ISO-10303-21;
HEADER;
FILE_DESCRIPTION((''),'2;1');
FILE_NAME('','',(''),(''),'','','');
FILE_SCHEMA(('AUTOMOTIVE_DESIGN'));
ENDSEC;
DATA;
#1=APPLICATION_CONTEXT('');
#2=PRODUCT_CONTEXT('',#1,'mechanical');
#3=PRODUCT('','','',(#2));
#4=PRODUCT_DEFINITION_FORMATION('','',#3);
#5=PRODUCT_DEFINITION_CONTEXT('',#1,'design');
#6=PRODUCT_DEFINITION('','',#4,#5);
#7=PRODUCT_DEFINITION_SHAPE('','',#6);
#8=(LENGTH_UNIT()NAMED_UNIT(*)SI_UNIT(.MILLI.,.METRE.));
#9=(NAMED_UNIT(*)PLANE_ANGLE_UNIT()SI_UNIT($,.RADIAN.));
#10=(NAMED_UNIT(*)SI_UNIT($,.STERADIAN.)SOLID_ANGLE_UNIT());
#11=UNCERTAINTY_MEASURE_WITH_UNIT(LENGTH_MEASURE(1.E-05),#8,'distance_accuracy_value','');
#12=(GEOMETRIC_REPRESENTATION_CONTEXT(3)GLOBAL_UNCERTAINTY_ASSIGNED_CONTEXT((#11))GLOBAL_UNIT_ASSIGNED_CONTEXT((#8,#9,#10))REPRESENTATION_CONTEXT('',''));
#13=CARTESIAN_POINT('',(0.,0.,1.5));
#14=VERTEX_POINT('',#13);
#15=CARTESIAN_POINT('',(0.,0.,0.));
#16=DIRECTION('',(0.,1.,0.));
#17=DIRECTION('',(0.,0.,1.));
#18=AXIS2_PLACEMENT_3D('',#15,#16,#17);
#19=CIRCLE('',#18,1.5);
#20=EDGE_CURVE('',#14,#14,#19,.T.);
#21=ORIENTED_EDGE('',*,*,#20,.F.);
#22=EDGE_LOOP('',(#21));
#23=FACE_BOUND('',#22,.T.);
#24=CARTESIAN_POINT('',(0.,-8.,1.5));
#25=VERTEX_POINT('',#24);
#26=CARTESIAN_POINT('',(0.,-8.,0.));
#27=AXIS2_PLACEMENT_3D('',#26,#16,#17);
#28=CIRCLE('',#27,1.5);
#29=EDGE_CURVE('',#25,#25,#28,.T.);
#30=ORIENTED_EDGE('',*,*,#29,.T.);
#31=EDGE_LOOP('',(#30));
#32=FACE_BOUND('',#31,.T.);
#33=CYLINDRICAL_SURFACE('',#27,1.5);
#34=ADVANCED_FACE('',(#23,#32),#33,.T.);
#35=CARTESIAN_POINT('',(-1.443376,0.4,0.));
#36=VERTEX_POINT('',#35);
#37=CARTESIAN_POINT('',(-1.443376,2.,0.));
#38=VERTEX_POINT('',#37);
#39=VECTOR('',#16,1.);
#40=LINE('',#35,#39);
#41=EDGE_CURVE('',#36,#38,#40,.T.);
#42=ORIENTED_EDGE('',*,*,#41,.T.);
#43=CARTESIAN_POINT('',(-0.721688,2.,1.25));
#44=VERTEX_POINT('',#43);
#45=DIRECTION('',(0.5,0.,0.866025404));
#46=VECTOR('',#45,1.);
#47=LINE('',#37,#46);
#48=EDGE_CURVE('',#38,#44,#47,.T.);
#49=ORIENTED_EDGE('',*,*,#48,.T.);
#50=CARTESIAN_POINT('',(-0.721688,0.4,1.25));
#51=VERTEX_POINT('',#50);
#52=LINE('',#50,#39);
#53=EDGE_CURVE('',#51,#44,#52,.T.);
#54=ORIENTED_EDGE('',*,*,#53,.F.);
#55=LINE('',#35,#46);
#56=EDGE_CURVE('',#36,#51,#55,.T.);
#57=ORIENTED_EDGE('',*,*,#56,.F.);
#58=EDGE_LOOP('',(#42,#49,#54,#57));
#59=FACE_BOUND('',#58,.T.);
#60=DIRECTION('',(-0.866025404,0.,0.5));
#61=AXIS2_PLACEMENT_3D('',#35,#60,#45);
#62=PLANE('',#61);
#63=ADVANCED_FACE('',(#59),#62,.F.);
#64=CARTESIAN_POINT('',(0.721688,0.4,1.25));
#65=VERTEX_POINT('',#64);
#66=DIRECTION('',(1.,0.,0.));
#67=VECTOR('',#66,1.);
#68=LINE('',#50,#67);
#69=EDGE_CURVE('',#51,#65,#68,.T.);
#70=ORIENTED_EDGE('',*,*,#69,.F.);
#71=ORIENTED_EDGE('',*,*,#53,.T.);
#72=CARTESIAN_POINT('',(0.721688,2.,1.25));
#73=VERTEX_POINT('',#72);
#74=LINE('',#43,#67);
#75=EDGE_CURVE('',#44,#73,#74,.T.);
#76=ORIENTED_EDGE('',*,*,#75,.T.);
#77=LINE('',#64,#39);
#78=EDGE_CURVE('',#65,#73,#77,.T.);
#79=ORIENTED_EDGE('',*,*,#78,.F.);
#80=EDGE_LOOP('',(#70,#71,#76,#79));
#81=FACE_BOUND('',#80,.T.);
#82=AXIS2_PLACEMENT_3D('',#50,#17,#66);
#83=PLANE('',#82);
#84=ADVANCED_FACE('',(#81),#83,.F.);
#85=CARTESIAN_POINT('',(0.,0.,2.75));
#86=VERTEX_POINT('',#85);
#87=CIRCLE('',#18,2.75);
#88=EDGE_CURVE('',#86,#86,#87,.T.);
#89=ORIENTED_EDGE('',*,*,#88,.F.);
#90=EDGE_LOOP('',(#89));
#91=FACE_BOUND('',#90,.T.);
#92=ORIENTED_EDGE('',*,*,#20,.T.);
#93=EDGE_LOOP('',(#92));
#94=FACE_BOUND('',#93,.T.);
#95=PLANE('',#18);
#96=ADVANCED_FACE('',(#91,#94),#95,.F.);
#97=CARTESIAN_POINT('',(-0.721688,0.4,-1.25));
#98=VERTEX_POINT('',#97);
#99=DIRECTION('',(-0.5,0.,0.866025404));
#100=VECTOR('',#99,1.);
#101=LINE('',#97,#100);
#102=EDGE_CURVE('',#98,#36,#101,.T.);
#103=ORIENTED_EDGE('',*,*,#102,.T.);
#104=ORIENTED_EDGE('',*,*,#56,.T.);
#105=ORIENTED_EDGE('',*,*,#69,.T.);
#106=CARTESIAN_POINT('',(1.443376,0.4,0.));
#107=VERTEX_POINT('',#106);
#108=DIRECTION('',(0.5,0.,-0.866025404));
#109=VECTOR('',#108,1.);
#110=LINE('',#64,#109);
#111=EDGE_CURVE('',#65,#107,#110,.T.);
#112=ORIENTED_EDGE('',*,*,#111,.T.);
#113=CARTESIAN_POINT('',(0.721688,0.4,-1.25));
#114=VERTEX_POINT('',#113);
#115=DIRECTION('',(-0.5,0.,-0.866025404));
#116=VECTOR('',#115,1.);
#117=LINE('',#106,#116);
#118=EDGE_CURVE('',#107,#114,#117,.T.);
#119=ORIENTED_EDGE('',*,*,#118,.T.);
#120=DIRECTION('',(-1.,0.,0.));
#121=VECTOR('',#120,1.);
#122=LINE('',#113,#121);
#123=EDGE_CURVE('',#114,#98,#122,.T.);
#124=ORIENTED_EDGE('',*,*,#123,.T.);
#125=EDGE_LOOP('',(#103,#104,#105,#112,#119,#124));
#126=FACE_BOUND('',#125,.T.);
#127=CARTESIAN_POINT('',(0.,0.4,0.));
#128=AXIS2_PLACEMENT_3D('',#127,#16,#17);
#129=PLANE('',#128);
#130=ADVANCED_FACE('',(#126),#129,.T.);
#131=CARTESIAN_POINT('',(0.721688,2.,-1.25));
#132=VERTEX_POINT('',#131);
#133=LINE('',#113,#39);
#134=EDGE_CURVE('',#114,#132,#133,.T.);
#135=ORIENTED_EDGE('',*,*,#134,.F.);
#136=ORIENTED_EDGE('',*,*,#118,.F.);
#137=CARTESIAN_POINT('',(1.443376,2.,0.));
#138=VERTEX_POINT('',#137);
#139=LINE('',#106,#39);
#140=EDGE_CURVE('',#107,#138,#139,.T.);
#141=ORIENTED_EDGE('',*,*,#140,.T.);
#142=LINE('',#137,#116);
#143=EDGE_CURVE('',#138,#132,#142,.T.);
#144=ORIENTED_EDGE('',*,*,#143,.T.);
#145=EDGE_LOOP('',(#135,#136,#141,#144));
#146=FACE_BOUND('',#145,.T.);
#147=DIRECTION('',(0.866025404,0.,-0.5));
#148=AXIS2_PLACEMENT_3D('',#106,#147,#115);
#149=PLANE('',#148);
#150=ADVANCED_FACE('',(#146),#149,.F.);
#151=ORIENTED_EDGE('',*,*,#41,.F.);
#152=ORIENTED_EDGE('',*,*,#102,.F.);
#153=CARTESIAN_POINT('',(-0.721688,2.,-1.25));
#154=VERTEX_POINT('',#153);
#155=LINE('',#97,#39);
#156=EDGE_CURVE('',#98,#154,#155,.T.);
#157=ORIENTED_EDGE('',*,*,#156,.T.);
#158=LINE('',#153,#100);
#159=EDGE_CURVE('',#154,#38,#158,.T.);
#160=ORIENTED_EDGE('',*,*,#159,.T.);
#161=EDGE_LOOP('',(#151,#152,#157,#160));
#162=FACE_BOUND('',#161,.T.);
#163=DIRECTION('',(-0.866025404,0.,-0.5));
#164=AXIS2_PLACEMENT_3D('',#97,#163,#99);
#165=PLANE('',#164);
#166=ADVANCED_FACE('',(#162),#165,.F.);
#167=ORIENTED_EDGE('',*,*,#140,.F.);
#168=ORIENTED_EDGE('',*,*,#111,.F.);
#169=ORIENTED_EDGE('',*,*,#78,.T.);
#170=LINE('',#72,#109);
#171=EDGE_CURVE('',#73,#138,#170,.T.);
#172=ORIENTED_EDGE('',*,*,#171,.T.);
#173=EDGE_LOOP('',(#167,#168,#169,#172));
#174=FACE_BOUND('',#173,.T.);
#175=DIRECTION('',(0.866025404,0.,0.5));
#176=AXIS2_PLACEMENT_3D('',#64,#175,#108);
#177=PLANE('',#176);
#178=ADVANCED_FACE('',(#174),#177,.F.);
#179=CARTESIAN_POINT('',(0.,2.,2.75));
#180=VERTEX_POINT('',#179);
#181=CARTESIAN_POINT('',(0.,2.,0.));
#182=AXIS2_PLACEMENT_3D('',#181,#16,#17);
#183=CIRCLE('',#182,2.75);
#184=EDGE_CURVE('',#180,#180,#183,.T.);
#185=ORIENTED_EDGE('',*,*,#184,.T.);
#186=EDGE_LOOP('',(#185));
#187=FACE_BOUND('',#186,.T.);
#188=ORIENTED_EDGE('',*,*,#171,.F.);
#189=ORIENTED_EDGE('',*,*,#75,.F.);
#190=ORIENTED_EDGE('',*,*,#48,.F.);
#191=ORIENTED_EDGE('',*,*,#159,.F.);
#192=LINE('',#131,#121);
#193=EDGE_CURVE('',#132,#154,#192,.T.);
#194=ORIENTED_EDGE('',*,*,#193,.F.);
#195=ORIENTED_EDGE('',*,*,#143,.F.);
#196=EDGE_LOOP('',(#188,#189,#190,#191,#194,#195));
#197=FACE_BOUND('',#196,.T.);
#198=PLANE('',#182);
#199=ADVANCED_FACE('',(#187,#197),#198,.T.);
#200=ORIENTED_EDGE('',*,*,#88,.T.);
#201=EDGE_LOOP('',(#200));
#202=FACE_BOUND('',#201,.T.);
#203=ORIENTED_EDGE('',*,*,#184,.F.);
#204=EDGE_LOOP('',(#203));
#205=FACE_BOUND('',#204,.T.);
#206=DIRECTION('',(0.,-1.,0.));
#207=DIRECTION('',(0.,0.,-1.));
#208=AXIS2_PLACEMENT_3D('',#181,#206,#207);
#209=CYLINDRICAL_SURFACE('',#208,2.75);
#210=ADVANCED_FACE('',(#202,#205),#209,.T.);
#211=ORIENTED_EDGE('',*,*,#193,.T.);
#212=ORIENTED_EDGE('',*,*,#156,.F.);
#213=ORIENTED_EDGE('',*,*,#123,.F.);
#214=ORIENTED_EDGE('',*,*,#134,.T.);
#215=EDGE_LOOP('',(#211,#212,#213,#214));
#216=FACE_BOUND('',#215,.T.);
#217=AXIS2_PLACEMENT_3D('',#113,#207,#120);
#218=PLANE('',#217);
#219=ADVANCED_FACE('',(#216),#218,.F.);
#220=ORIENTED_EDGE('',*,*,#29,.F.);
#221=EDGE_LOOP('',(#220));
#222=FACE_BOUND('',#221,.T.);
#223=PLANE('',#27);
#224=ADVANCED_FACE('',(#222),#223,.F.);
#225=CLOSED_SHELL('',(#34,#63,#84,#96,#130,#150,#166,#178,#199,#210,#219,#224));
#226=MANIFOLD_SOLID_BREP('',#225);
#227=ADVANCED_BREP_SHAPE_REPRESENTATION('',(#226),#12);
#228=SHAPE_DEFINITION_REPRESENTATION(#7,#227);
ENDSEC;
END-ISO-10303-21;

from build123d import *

# Parameters (mm, degrees)
SKETCH_1_R          = 2.75
EXTRUDE_399_DEPTH   = 2
SKETCH_1_3_R        = 1.5
EXTRUDE_434_DEPTH   = 8
CUT_EXTRUDE_1_DEPTH = 1.6


with BuildPart() as part:
    # 草图1 → Extrude 399 (new body)
    with BuildSketch(Plane(origin=(0, 0, 0), x_dir=(1, 0, 0), z_dir=(0, 1, 0))):
        Circle(SKETCH_1_R)
    extrude(amount=EXTRUDE_399_DEPTH)

    # 草图1<3> → Extrude 434 (add)
    with BuildSketch(Plane(origin=(0, 0, 0), x_dir=(1, 0, 0), z_dir=(0, 1, 0))):
        Circle(SKETCH_1_3_R)
    extrude(amount=-EXTRUDE_434_DEPTH)

    # 草图2 → 切除-拉伸1 (cut)
    with BuildSketch(Plane(origin=(0, 2, 0), x_dir=(1, 0, 0), z_dir=(0, 1, 0))):
        Polygon((1.443375673, 0), (0.721687836, 1.25), (-0.721687836, 1.25), (-1.443375673, 0), (-0.721687836, -1.25), (0.721687836, -1.25), align=None)
    extrude(amount=-CUT_EXTRUDE_1_DEPTH, mode=Mode.SUBTRACT)


solid = part.part
